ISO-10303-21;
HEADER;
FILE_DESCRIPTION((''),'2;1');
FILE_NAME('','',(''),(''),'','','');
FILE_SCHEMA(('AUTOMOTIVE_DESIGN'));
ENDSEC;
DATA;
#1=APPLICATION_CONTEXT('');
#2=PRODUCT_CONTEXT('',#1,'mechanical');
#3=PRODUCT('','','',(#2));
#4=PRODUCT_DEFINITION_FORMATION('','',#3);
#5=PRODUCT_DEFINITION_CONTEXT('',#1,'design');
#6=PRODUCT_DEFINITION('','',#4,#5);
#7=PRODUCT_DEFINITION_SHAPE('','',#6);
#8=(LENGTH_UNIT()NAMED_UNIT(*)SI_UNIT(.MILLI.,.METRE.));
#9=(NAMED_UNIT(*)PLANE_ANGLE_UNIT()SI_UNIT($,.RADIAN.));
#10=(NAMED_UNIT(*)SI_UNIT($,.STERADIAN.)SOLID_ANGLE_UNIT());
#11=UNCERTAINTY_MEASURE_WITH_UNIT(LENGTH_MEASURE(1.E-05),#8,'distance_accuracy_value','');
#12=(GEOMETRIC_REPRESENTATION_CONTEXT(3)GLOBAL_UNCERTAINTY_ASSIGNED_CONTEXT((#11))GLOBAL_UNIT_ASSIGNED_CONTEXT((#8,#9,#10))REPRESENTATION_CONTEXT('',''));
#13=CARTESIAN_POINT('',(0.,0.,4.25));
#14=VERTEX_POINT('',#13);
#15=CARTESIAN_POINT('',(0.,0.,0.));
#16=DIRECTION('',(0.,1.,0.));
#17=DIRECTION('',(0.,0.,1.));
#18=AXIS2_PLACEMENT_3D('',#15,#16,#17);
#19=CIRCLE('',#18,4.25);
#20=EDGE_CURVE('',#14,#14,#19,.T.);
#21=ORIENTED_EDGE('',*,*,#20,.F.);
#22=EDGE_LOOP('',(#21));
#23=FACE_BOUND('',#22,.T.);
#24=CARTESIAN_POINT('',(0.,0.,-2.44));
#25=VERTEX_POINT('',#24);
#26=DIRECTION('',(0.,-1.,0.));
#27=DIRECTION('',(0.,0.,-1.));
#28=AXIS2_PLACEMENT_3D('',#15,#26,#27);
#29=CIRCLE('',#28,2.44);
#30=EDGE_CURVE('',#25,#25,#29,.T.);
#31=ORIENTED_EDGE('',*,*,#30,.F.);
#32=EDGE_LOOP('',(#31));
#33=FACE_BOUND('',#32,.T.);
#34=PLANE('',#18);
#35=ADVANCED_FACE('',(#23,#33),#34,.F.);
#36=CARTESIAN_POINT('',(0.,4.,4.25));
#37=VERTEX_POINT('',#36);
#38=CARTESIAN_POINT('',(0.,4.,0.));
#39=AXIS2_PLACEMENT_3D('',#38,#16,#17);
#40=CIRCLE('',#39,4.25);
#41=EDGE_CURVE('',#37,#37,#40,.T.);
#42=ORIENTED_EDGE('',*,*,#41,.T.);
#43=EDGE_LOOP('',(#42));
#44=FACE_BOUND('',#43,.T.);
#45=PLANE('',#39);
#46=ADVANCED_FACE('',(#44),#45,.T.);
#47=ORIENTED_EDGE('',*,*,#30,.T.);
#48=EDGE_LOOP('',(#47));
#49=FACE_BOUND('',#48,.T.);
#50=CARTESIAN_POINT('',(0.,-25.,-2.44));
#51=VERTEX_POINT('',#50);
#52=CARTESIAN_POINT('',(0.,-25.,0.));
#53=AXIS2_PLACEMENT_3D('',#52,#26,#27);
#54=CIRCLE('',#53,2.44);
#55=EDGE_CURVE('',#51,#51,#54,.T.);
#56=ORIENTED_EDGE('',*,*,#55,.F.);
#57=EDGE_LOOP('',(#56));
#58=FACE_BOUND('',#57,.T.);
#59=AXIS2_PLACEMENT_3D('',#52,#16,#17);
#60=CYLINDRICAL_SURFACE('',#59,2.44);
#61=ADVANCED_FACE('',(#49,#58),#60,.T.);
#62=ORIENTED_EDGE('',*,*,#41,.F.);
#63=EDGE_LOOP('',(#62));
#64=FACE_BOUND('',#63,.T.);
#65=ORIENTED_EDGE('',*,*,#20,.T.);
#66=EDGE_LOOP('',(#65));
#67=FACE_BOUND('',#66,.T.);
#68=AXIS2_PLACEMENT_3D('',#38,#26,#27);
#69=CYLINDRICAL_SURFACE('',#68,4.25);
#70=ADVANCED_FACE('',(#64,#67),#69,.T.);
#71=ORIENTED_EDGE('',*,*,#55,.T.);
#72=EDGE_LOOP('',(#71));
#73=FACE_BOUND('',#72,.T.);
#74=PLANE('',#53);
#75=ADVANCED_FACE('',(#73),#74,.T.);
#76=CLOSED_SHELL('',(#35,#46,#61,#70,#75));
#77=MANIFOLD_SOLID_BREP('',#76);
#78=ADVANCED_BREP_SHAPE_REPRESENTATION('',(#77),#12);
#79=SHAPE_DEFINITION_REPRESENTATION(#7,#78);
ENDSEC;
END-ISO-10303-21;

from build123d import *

# Parameters (mm, degrees)
SKETCH1_R           = 4.25
BOSS_EXTRUDE1_DEPTH = 4
SKETCH2_R           = 2.44
BOSS_EXTRUDE2_DEPTH = 25


with BuildPart() as part:
    # Sketch1 → Boss-Extrude1 (new body)
    with BuildSketch(Plane(origin=(0, 0, 0), x_dir=(1, 0, 0), z_dir=(0, 1, 0))):
        Circle(SKETCH1_R)
    extrude(amount=BOSS_EXTRUDE1_DEPTH)

    # Sketch2 → Boss-Extrude2 (add)
    with BuildSketch(Plane.XZ):
        Circle(SKETCH2_R)
    extrude(amount=BOSS_EXTRUDE2_DEPTH)


solid = part.part
